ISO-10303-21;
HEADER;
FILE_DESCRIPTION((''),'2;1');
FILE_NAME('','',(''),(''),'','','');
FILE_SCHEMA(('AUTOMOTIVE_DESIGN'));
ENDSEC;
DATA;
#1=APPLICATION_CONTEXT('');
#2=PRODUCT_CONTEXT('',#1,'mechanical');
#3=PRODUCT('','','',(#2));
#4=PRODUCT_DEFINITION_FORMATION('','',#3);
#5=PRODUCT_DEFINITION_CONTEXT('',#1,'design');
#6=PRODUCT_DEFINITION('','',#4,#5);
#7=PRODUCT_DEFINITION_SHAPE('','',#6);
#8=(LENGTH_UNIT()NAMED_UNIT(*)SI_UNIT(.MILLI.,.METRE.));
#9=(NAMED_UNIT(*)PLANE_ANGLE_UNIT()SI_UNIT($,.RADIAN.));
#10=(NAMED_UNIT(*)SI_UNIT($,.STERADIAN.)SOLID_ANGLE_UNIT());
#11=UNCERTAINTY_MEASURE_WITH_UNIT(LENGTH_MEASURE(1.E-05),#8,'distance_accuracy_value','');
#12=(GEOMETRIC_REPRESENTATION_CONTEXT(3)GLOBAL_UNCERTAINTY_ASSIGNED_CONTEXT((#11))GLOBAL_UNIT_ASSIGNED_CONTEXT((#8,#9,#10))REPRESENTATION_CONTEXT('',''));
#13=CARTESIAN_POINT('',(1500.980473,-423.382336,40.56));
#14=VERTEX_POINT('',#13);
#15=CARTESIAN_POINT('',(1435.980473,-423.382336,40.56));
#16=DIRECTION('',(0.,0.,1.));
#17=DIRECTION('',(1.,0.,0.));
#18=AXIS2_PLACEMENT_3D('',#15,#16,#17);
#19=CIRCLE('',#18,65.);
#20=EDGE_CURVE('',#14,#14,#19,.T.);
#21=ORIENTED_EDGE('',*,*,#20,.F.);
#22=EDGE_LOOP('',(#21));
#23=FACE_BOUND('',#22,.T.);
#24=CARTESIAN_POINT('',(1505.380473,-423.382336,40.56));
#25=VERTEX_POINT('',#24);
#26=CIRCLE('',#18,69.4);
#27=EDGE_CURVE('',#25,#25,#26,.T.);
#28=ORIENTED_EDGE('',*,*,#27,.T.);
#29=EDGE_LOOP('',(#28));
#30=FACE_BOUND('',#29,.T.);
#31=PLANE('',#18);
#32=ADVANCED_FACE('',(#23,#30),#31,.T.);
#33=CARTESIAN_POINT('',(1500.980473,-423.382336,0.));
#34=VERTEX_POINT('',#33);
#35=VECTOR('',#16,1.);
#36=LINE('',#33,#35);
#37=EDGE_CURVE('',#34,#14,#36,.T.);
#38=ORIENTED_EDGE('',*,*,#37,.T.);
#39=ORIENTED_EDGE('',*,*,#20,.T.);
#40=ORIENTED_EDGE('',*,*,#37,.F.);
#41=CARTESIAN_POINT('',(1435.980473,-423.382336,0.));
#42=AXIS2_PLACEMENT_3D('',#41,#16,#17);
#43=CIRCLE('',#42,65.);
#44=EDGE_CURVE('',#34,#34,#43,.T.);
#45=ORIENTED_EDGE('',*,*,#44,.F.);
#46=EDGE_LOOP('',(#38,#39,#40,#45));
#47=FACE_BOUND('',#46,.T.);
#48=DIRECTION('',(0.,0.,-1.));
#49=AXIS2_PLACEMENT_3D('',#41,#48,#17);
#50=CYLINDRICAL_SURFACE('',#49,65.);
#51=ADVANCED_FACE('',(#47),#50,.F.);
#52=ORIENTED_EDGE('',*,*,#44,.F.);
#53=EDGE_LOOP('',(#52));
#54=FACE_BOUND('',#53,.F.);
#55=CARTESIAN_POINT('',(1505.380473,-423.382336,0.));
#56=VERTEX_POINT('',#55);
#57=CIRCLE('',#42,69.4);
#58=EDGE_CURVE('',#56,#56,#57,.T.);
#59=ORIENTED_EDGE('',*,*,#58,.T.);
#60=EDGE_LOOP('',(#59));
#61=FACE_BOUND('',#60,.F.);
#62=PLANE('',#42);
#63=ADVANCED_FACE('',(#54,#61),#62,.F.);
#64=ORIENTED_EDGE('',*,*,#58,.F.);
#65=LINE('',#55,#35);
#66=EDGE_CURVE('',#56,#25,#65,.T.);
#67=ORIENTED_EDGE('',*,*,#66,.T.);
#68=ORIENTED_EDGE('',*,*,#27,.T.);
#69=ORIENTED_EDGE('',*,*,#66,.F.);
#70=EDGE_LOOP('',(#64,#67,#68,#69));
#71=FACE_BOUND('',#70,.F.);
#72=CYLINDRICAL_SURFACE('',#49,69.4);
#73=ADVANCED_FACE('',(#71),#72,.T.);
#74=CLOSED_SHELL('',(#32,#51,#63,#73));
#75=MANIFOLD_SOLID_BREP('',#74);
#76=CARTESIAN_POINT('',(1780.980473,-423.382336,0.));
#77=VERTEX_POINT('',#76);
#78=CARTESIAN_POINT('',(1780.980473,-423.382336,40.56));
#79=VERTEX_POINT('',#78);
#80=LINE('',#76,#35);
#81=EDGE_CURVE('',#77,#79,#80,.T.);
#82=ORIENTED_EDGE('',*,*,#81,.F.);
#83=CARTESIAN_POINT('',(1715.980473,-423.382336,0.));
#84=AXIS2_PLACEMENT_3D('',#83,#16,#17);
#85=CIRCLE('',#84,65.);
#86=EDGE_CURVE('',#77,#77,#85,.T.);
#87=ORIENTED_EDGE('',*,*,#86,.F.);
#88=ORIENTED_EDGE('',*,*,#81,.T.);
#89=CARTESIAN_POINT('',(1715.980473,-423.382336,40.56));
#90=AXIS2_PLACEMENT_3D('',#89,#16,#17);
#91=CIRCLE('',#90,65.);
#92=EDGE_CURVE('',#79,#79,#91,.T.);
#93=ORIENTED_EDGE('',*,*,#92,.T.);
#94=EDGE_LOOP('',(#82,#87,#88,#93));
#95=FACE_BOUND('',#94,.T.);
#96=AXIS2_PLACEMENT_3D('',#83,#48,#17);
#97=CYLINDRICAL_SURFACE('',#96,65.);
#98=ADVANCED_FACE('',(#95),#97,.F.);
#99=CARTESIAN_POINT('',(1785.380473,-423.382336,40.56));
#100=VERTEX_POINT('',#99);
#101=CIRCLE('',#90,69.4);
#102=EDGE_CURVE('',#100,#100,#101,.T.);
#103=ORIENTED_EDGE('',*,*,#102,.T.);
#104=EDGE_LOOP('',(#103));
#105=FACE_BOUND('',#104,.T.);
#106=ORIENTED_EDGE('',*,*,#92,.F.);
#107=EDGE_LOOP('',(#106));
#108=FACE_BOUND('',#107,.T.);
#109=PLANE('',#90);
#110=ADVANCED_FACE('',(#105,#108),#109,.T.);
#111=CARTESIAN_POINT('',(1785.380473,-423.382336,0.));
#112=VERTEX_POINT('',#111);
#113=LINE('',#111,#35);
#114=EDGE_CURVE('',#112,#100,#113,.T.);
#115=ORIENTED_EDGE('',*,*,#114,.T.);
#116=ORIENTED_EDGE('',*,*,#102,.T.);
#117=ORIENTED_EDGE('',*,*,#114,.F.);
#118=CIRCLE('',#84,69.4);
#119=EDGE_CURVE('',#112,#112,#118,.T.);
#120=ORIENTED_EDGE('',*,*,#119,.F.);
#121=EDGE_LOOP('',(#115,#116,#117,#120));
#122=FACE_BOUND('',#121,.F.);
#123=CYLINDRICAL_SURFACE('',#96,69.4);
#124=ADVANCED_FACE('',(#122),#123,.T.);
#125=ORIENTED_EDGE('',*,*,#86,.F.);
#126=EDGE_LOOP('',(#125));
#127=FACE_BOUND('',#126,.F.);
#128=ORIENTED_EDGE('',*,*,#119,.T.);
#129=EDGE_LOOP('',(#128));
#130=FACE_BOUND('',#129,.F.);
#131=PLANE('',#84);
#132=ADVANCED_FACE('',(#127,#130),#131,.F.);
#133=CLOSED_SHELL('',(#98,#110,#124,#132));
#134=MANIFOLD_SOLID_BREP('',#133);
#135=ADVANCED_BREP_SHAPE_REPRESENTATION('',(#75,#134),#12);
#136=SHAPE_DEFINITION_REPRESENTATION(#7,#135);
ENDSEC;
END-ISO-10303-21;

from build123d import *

# Parameters (mm, degrees)
SKETCH1_R             = 69.4
SKETCH1_R_2           = 65
BOSS_EXTRUDE1_DEPTH   = 40.56
BOSS_EXTRUDE1_2_DEPTH = 40.56


with BuildPart() as part:
    # Sketch1 → Boss-Extrude1 (new body)
    with BuildSketch(Plane.XY):
        with Locations((1715.980472759, -423.382336202)):
            Circle(SKETCH1_R)
        with Locations((1715.980472759, -423.382336202)):
            Circle(SKETCH1_R_2, mode=Mode.SUBTRACT)
    extrude(amount=BOSS_EXTRUDE1_DEPTH)


with BuildPart() as body_2:
    # Sketch1 → Boss-Extrude1 2 (new body)
    with BuildSketch(Plane.XY):
        with Locations((1435.980472759, -423.382336202)):
            Circle(SKETCH1_R)
        with Locations((1435.980472759, -423.382336202)):
            Circle(SKETCH1_R_2, mode=Mode.SUBTRACT)
    extrude(amount=BOSS_EXTRUDE1_2_DEPTH)


solid = Compound([part.part, body_2.part])
